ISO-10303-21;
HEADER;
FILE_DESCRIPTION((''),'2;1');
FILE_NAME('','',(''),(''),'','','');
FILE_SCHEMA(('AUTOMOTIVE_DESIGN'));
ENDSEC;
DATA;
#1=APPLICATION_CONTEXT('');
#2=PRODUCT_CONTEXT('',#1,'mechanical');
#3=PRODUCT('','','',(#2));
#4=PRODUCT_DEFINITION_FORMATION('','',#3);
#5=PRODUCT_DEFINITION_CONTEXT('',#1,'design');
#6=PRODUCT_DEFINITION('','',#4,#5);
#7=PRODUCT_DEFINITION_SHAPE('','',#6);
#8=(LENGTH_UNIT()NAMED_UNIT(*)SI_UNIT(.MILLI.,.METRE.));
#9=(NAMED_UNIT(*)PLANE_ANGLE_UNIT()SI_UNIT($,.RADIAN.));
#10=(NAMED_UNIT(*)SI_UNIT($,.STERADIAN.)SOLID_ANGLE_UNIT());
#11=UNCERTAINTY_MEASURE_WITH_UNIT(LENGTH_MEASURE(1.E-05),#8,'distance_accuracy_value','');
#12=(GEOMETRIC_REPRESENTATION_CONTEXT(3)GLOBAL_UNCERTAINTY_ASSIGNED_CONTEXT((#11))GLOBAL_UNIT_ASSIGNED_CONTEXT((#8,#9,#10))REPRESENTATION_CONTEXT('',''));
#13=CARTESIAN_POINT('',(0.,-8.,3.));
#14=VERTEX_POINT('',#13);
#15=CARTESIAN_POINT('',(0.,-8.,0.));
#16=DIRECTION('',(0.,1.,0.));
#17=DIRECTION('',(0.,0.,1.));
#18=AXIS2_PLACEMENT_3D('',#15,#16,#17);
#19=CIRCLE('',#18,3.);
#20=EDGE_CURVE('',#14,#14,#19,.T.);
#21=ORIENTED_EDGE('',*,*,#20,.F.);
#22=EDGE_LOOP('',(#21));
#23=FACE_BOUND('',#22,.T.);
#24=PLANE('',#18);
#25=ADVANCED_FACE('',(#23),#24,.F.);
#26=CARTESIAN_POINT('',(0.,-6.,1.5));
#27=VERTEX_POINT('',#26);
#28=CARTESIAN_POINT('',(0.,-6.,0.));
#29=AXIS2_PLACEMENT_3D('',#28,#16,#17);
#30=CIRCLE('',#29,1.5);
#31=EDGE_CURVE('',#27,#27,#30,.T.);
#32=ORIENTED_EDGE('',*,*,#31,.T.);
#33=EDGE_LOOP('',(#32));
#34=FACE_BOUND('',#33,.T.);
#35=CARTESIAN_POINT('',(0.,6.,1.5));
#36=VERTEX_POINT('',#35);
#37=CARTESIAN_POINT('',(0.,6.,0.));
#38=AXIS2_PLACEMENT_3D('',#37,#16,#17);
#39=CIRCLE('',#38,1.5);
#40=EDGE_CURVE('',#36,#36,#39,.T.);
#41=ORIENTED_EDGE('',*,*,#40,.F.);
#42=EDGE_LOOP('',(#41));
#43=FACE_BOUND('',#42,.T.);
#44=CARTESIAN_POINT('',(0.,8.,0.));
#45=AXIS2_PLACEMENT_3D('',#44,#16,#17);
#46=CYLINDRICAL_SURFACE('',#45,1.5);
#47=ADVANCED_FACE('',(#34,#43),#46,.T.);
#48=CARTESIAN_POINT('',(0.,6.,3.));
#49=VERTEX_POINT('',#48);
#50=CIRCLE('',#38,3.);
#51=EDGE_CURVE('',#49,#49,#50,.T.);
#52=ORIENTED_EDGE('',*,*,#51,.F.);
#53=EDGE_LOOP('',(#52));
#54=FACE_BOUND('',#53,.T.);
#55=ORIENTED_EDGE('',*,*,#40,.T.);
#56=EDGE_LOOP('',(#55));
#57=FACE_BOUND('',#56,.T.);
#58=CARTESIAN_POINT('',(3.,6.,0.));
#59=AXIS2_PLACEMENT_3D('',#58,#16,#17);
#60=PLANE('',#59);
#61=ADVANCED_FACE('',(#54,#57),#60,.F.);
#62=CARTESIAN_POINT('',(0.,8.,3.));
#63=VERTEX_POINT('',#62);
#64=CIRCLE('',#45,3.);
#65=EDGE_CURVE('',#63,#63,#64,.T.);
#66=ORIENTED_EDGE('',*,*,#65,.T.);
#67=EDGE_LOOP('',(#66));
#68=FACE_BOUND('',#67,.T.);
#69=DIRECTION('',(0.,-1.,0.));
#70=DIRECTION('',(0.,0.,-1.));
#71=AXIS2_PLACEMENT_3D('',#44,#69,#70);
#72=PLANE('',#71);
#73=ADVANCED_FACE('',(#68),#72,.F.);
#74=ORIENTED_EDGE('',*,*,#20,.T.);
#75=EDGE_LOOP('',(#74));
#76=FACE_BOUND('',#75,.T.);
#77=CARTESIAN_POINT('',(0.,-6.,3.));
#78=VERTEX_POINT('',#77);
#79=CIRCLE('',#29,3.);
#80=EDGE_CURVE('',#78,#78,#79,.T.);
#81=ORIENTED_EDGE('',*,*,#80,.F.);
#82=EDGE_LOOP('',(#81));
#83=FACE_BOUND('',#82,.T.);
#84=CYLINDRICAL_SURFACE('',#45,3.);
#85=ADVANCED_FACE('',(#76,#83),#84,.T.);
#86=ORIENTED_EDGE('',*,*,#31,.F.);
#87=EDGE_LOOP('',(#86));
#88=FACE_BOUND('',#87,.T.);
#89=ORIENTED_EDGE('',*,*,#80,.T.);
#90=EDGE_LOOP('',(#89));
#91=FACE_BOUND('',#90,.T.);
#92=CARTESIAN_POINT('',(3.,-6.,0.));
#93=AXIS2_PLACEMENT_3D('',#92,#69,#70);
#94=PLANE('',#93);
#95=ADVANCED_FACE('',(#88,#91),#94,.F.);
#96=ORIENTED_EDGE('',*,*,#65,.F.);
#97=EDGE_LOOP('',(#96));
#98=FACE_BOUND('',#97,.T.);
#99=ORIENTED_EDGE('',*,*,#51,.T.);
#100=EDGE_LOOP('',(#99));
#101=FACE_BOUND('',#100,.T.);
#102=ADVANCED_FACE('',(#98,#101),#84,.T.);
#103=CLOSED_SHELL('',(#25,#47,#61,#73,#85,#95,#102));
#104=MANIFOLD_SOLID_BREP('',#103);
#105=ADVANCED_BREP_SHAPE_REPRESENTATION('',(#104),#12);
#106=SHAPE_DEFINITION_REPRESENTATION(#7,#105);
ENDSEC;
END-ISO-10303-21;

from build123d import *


with BuildPart() as part:
    # Esboço1 → Revolução1 (revolve)
    with BuildSketch(Plane.XY):
        Polygon((0, 8), (3, 8), (3, 6), (1.5, 6), (1.5, -6), (3, -6), (3, -8), (0, -8), align=None)
    revolve(axis=Axis((0, 8, 0), (0, -1, 0)))


solid = part.part
